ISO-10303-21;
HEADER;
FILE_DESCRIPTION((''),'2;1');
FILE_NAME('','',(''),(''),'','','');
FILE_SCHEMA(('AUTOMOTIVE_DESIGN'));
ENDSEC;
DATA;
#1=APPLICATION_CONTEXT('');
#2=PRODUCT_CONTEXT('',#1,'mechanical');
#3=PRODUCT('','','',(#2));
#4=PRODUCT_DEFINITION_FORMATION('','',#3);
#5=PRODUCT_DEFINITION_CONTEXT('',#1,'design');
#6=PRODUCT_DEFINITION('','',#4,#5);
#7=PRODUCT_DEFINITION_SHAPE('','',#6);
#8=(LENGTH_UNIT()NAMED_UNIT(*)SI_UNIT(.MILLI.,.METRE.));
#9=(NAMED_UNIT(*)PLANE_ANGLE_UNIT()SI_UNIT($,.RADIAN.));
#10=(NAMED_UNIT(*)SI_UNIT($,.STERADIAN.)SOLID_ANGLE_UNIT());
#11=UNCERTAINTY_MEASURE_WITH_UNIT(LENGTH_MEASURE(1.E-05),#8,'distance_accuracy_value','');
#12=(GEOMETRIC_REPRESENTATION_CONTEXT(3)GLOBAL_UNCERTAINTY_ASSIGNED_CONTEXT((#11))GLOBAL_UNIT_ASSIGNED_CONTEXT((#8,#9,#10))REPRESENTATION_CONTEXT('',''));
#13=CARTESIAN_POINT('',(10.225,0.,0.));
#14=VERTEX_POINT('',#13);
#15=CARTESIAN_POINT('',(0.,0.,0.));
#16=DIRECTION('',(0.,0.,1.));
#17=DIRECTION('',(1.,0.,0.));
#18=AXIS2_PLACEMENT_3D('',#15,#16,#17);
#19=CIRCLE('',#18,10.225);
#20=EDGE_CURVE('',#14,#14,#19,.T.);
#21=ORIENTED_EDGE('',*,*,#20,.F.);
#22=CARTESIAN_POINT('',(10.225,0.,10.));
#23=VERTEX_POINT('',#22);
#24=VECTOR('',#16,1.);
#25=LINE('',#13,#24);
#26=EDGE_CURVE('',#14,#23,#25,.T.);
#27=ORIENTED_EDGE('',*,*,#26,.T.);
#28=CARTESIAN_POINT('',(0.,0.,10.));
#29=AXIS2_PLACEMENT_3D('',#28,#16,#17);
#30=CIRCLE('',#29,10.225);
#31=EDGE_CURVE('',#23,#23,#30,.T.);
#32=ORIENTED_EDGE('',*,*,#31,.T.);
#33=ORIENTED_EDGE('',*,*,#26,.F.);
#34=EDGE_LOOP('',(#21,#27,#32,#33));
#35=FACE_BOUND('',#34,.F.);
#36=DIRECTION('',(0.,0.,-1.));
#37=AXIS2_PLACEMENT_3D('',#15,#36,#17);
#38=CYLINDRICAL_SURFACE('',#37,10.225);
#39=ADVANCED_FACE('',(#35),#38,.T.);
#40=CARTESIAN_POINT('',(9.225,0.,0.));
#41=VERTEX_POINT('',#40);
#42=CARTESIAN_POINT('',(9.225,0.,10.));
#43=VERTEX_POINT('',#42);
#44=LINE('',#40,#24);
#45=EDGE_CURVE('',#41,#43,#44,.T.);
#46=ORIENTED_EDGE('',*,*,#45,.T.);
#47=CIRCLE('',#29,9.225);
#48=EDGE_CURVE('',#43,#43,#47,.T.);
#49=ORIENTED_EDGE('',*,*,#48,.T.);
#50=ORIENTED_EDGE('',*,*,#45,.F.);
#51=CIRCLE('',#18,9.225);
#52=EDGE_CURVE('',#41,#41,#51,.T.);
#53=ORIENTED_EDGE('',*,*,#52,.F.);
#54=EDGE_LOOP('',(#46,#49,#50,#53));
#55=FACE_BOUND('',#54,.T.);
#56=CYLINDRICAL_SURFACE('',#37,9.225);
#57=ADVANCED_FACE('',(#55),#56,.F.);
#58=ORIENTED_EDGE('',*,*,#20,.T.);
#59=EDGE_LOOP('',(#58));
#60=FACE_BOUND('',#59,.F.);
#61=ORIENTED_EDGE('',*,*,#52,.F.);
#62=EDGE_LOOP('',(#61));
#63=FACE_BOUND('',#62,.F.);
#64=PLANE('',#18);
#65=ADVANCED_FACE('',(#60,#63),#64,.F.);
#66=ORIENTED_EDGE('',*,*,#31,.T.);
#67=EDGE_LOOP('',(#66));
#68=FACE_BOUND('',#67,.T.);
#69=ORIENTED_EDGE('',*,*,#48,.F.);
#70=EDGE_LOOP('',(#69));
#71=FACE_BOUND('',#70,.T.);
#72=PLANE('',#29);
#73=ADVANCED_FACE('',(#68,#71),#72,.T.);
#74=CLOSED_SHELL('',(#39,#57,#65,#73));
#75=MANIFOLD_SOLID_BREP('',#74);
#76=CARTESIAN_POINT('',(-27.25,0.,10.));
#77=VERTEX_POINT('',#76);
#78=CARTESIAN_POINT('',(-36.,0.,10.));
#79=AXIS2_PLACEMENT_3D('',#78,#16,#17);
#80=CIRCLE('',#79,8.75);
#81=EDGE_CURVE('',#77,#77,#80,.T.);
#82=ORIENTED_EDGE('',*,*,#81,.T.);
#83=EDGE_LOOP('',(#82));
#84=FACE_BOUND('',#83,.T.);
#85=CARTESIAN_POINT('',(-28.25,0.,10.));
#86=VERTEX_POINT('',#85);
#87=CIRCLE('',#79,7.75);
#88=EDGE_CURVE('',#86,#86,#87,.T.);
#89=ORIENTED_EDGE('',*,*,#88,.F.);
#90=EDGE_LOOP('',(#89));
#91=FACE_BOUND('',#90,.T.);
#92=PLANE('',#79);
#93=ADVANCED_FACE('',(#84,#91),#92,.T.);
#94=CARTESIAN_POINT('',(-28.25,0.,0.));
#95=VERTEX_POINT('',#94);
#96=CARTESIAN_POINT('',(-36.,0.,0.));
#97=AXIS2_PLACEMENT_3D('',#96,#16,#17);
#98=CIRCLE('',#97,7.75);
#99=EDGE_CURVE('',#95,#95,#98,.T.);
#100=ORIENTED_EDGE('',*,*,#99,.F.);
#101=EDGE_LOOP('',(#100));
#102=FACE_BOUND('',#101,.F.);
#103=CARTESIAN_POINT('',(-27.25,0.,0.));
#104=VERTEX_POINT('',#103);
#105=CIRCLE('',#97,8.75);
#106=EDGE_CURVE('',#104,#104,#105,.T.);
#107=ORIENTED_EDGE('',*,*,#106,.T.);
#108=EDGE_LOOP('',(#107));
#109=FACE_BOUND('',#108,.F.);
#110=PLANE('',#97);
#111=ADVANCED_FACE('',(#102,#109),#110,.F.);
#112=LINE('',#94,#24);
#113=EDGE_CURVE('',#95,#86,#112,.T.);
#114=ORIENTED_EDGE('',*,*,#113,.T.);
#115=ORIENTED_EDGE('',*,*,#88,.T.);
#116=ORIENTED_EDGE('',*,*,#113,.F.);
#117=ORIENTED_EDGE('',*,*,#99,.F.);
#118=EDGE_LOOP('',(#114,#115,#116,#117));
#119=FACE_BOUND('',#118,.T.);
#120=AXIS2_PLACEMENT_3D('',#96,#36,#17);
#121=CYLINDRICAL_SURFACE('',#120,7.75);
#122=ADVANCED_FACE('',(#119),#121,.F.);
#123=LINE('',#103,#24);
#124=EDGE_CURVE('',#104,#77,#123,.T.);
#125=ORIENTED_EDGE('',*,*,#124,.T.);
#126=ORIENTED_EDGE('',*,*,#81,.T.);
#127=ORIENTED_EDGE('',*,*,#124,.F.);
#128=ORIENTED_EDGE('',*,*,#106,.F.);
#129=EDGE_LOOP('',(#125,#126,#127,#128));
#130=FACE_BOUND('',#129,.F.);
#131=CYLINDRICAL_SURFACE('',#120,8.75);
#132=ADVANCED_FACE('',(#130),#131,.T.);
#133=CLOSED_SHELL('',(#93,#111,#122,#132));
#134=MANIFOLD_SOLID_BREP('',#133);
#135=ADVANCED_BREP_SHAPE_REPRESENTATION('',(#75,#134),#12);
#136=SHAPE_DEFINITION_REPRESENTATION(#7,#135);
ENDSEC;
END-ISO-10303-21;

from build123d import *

# Parameters (mm, degrees)
F0_R     = 8.75
F0_R_2   = 7.75
F0_R_3   = 10.225
F0_R_4   = 9.225
F1_DEPTH = 10


with BuildPart() as f1:
    # F0 (on Top) → F1 (new body)
    with BuildSketch(Plane.XY):
        with Locations((-36, 0)):
            Circle(F0_R)
        with Locations((-36, 0)):
            Circle(F0_R_2, mode=Mode.SUBTRACT)
        Circle(F0_R_3)
        Circle(F0_R_4, mode=Mode.SUBTRACT)
    extrude(amount=F1_DEPTH)


solid = f1.part
